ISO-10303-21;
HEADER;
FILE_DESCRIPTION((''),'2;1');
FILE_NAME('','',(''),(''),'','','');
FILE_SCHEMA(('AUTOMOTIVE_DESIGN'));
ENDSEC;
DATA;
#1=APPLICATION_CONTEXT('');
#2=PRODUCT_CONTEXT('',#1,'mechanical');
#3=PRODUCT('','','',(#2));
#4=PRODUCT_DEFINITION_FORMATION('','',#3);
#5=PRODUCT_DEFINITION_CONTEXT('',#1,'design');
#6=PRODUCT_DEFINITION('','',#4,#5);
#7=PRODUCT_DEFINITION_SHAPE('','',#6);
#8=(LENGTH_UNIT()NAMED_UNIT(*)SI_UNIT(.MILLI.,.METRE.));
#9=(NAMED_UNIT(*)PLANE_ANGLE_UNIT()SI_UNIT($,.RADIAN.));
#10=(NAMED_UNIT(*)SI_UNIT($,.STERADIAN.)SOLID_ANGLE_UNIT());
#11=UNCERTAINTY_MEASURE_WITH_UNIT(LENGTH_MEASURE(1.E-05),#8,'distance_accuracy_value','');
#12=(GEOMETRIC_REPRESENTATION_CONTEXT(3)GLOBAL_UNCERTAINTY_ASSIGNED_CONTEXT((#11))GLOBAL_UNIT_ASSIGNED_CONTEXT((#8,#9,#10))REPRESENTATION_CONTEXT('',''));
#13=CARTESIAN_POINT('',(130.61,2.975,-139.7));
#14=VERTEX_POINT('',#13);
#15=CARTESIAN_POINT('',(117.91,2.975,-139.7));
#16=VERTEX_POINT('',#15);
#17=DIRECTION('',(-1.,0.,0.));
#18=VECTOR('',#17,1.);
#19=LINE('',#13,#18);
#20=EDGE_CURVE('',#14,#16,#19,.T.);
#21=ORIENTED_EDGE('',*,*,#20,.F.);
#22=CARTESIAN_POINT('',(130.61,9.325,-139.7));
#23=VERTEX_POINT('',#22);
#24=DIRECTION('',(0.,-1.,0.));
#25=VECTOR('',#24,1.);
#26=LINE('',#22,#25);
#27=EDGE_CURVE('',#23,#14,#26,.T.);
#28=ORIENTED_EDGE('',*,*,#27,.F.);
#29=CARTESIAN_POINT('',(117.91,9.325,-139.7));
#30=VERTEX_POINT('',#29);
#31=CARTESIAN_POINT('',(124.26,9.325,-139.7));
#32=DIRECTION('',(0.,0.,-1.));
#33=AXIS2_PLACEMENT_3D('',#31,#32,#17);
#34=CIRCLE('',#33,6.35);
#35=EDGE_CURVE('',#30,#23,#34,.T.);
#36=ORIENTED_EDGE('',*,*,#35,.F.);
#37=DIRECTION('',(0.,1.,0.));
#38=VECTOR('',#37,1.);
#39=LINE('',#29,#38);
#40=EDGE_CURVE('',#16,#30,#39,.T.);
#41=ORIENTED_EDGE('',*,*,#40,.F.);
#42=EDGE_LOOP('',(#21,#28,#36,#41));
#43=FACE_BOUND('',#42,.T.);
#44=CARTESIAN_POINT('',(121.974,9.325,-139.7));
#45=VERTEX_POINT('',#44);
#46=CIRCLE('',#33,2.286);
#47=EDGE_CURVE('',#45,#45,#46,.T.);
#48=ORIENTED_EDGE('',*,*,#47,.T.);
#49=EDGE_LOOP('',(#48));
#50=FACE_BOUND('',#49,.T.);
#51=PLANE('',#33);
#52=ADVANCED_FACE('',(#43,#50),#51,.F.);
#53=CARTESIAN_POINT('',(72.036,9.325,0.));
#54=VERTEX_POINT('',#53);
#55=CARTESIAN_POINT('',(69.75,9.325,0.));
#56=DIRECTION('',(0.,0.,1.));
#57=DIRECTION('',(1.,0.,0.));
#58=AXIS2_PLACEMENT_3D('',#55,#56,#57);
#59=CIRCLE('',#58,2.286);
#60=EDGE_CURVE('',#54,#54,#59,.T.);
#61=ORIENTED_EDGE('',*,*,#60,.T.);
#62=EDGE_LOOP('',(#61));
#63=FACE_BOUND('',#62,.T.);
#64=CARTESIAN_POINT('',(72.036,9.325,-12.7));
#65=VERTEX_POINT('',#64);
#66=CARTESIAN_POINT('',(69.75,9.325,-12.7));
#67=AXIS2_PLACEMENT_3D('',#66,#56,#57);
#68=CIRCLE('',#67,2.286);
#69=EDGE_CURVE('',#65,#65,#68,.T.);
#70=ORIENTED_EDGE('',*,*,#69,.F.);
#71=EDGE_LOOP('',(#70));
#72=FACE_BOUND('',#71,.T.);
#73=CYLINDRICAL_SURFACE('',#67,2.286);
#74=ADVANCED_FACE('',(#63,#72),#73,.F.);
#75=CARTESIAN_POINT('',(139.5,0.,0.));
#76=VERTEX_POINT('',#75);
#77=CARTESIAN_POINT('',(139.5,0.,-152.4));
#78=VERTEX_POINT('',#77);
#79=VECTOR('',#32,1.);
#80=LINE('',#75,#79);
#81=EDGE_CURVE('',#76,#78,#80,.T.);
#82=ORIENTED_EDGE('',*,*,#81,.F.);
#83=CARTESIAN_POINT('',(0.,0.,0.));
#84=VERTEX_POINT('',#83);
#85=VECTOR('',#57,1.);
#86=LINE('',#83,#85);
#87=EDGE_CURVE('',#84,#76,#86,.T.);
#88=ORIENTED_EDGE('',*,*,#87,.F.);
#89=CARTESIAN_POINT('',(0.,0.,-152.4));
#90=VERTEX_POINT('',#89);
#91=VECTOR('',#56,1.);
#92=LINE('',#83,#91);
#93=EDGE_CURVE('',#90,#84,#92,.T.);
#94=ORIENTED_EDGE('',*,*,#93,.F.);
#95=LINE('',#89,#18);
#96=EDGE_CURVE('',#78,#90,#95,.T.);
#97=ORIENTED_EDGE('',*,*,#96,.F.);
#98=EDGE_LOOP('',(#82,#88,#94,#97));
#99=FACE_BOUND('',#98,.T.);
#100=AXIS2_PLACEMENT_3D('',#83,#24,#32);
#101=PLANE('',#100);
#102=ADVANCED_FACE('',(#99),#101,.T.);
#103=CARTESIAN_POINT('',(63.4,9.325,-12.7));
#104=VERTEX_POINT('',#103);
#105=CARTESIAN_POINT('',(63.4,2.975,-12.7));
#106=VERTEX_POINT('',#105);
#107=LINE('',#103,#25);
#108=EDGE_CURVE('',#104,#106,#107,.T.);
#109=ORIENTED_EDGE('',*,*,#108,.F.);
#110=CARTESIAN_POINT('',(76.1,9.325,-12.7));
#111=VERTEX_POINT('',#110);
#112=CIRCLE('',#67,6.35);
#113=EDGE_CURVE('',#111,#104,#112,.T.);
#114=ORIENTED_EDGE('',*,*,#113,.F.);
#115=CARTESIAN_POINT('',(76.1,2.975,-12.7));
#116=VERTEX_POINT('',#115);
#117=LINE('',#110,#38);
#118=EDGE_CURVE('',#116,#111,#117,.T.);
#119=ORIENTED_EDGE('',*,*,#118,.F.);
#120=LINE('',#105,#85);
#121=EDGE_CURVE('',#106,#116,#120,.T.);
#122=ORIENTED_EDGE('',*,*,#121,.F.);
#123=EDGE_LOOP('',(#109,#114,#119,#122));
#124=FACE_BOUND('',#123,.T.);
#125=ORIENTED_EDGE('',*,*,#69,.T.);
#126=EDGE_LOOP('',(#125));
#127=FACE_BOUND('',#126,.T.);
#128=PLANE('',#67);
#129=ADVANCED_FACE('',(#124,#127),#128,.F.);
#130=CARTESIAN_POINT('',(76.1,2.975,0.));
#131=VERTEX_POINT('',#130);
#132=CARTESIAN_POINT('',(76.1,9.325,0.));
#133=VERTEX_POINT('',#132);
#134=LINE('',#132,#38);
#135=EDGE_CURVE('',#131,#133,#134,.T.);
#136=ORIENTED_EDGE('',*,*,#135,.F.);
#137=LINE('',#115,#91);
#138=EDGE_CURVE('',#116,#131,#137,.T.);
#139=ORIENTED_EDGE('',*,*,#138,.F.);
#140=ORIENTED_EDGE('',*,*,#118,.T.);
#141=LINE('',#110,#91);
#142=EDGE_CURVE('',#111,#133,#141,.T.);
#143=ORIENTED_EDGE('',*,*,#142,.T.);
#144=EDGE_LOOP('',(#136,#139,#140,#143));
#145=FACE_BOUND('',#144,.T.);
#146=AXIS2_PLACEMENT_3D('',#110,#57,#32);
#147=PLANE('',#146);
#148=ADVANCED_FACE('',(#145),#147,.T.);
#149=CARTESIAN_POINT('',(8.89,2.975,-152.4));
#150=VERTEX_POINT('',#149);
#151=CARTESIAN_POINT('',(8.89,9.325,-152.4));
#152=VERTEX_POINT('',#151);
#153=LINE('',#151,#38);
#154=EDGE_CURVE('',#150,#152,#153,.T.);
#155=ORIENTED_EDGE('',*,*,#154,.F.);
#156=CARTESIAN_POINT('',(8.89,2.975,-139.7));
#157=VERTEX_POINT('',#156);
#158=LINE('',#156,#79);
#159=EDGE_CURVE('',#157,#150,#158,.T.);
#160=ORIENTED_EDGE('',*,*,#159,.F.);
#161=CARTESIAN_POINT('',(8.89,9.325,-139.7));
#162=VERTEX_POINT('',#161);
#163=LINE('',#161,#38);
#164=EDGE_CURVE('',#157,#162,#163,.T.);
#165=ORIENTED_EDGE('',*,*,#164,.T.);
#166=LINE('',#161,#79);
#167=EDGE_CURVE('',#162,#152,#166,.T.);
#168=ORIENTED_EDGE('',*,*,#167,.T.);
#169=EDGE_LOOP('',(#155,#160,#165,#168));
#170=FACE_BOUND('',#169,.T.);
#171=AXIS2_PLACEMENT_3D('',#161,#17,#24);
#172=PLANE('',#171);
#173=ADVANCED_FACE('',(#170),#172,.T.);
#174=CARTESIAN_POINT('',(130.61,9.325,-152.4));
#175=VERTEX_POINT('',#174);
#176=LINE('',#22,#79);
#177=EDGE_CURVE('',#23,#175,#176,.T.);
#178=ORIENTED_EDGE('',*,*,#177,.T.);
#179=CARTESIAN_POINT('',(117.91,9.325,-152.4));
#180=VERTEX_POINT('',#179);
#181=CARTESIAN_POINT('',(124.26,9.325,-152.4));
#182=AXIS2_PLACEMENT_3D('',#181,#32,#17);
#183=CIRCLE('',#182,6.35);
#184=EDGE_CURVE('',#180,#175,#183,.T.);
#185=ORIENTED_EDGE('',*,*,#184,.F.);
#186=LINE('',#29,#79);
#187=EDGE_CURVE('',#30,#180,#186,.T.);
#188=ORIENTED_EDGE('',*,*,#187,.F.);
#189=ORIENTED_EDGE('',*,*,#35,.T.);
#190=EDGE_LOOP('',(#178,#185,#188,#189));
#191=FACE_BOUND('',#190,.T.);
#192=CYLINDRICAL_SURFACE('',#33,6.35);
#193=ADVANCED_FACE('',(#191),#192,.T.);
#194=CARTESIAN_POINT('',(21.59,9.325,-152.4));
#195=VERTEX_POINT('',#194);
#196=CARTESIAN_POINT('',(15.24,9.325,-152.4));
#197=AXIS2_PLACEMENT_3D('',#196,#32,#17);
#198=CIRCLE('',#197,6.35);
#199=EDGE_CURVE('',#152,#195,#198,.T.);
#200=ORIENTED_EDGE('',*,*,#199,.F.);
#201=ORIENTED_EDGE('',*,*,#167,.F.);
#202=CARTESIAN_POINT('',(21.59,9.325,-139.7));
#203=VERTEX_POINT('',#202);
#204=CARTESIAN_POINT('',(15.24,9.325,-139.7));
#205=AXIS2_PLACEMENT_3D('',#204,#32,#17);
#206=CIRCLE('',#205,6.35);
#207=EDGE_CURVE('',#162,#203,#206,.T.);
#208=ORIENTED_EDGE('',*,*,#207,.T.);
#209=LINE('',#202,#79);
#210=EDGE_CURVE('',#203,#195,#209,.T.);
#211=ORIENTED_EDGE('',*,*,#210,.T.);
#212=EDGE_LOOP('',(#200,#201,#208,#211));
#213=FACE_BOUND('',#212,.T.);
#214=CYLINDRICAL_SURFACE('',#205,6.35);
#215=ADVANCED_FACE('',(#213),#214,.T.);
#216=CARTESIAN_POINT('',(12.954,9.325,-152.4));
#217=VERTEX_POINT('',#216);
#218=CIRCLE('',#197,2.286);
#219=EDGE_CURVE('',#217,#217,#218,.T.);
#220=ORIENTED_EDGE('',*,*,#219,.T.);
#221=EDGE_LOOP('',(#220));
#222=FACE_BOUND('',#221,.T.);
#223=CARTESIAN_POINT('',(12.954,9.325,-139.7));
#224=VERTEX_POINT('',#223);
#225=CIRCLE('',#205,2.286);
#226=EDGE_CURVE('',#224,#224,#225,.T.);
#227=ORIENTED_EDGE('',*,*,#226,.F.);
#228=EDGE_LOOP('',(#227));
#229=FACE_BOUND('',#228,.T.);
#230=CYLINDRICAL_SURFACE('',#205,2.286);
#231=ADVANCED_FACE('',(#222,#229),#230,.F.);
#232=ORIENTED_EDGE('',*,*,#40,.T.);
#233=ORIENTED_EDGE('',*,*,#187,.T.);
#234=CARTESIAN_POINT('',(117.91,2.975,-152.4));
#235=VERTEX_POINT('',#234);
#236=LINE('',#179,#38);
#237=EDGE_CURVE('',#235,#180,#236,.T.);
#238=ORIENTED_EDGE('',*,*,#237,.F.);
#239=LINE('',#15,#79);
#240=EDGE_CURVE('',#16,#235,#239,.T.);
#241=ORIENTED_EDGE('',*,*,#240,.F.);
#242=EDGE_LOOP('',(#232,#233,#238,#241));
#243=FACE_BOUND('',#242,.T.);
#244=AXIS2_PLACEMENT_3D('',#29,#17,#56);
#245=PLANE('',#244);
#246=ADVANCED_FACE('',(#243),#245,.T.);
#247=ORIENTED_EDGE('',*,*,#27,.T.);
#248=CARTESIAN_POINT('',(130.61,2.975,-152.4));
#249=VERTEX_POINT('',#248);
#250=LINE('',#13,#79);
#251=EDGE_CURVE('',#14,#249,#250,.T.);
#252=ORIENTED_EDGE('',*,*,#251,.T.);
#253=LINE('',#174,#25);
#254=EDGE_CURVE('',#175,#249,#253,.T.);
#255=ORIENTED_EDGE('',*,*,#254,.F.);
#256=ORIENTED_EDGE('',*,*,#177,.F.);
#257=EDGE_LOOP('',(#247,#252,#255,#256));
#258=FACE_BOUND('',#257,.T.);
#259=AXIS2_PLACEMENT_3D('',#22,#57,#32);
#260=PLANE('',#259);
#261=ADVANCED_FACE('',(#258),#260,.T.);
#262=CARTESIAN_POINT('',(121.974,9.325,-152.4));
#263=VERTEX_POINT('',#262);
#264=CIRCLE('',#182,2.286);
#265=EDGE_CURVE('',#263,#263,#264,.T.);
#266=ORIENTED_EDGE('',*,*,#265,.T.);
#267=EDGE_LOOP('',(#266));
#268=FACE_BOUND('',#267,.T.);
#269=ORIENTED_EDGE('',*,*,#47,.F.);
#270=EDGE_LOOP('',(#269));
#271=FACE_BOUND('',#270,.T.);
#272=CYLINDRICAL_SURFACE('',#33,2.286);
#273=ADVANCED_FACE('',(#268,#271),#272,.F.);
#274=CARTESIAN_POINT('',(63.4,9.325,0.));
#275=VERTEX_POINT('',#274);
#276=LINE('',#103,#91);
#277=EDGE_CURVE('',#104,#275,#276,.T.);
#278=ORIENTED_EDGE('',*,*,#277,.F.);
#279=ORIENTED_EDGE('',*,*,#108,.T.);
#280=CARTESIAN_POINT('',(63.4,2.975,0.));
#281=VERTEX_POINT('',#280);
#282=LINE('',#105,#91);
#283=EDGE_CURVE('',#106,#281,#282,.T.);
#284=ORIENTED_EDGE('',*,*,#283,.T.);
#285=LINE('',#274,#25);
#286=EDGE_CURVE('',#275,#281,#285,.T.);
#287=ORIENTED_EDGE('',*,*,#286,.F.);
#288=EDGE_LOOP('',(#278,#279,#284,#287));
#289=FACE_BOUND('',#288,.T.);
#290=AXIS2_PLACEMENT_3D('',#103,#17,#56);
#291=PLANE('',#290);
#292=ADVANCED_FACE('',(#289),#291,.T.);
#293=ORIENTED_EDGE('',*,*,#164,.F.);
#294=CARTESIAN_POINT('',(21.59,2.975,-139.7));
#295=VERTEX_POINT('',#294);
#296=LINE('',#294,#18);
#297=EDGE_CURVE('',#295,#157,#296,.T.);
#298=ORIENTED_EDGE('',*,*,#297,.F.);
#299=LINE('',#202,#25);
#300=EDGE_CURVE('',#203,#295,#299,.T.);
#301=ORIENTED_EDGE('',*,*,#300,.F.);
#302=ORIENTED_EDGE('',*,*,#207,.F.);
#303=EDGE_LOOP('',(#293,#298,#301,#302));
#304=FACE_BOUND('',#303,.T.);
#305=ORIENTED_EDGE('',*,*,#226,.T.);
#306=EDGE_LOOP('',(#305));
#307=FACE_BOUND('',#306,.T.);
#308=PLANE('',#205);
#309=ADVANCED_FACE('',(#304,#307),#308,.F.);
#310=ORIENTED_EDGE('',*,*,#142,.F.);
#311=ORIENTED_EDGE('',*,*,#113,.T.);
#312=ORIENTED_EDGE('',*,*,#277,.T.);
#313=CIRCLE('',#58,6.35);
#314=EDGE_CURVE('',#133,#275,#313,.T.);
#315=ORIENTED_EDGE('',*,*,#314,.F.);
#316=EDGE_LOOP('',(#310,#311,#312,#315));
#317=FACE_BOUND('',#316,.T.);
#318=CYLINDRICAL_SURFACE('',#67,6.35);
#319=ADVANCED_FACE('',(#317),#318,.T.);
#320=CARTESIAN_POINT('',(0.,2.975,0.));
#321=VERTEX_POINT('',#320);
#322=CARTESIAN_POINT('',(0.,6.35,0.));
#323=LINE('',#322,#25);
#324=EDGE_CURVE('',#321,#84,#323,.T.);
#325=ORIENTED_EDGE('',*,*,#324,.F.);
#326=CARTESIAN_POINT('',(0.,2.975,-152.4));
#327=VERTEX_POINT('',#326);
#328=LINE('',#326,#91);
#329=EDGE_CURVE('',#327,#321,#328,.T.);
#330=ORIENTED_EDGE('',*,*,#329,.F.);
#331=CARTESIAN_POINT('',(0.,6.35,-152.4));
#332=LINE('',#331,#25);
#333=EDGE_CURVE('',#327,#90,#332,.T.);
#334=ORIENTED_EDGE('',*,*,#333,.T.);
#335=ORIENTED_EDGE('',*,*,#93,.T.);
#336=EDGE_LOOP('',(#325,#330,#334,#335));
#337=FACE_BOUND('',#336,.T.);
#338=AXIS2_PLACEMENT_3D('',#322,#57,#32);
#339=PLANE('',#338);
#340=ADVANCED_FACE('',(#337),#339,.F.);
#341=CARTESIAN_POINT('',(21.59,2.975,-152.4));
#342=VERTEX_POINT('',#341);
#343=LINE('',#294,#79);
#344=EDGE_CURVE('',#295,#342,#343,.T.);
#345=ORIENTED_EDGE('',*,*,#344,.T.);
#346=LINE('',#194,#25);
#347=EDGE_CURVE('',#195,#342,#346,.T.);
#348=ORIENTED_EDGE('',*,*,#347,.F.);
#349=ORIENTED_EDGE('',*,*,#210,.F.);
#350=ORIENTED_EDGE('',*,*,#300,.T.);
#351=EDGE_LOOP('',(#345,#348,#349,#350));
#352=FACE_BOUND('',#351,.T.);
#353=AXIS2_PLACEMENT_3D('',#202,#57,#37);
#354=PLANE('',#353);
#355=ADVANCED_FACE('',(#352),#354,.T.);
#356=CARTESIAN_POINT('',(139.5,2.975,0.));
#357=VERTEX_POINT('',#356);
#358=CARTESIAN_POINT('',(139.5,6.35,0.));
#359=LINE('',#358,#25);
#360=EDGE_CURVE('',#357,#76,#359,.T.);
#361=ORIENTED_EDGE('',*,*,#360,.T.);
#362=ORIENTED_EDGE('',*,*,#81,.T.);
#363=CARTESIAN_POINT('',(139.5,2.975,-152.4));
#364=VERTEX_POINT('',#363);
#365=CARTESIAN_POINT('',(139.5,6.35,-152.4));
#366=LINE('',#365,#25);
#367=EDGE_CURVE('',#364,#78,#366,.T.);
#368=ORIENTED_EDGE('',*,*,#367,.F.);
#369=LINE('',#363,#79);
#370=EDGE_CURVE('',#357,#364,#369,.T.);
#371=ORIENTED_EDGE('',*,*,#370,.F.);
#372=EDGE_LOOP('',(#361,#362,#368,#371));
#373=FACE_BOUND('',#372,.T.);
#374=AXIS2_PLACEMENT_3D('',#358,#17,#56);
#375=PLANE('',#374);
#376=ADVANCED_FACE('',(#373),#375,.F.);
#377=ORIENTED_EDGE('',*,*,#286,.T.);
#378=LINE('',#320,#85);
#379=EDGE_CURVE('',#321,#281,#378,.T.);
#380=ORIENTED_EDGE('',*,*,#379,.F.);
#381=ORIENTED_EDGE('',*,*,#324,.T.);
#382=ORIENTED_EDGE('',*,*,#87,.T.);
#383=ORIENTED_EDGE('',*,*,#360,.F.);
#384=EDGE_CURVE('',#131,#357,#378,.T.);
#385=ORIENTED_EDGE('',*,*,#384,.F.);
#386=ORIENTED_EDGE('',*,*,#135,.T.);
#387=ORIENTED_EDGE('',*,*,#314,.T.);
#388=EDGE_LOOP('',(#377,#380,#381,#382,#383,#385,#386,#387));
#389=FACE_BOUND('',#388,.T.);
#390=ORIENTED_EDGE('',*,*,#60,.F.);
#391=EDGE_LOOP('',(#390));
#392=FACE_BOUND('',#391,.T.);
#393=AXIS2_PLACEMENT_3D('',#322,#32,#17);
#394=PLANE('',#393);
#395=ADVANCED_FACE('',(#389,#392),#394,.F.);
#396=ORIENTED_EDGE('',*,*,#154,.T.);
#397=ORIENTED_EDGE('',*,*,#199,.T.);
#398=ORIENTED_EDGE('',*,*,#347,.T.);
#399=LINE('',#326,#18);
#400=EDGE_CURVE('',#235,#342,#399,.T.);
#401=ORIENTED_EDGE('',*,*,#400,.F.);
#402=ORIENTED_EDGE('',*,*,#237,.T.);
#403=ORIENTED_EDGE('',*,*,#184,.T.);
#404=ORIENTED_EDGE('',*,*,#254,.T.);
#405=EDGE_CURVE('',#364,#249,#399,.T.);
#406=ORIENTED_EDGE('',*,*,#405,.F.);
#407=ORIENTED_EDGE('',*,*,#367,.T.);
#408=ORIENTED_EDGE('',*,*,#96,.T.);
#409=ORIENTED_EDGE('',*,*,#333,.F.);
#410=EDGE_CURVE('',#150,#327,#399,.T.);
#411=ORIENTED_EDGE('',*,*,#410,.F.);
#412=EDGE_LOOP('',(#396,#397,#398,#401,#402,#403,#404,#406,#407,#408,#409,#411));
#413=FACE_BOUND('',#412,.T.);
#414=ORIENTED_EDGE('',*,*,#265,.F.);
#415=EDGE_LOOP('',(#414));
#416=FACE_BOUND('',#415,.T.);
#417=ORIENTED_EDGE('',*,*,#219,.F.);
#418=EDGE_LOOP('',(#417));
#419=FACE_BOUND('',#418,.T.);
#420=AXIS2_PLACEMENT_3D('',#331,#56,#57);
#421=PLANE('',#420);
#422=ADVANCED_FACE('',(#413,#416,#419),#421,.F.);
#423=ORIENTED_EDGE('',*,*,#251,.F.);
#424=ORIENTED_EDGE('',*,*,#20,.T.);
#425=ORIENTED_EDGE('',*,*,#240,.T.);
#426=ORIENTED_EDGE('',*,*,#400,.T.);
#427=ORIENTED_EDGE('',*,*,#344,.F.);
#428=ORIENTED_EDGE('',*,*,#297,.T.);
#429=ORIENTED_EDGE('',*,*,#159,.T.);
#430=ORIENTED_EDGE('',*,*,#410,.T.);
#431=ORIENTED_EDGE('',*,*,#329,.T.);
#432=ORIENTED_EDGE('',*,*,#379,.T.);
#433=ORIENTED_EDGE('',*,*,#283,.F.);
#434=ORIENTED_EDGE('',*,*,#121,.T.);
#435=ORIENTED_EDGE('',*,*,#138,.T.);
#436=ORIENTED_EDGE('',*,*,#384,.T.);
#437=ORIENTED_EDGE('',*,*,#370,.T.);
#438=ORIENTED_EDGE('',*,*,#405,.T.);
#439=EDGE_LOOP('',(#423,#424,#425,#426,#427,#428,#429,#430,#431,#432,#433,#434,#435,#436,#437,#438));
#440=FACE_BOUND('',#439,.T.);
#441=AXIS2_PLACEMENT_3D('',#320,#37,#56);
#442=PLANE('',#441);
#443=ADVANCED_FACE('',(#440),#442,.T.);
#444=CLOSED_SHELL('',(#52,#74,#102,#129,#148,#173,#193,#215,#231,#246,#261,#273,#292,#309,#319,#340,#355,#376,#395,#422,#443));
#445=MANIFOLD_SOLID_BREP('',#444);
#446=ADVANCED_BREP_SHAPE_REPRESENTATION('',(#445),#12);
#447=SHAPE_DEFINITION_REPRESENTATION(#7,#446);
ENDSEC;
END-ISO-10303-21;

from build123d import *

# Parameters (mm, degrees)
SKETCH1_W           = 139.5
SKETCH1_H           = 152.4
BOSS_EXTRUDE1_DEPTH = 6.35
SKETCH2_W           = 139.5
SKETCH2_H           = 152.4
CUT_EXTRUDE1_DEPTH  = 3.375
SKETCH3_R           = 2.286
BOSS_EXTRUDE2_DEPTH = 12.7
SKETCH4_R           = 2.286
BOSS_EXTRUDE3_DEPTH = 12.7


with BuildPart() as part:
    # Sketch1 → Boss-Extrude1 (new body)
    with BuildSketch(Plane(origin=(0, 0, 0), x_dir=(1, 0, 0), z_dir=(0, 1, 0))):
        with Locations((69.75, 76.2)):
            Rectangle(SKETCH1_W, SKETCH1_H)
    extrude(amount=BOSS_EXTRUDE1_DEPTH)

    # Sketch2 → Cut-Extrude1 (cut)
    with BuildSketch(Plane(origin=(0, 6.35, 0), x_dir=(1, 0, 0), z_dir=(0, 1, 0))):
        with Locations((69.75, 76.2)):
            Rectangle(SKETCH2_W, SKETCH2_H)
    extrude(amount=-CUT_EXTRUDE1_DEPTH, mode=Mode.SUBTRACT)

    # Sketch3 → Boss-Extrude2 (add)
    with BuildSketch(Plane.XY):
        with BuildLine():
            Line((63.4, 9.325), (63.4, 2.975))
            Line((63.4, 2.975), (76.1, 2.975))
            Line((76.1, 2.975), (76.1, 9.325000158))
            ThreePointArc((76.1, 9.325000158), (69.749999921, 15.675000158), (63.4, 9.325))
        make_face()
        with Locations((69.75, 9.325000158)):
            Circle(SKETCH3_R, mode=Mode.SUBTRACT)
    extrude(amount=-BOSS_EXTRUDE2_DEPTH)

    # Sketch4 → Boss-Extrude3 (add)
    with BuildSketch(Plane(origin=(0, 0, -152.4), x_dir=(-1, 0, 0), z_dir=(0, 0, -1))):
        with BuildLine():
            Line((-130.61, 9.325), (-130.61, 2.975))
            Line((-130.61, 2.975), (-117.91, 2.975))
            Line((-117.91, 2.975), (-117.91, 9.325))
            ThreePointArc((-117.91, 9.325), (-124.26, 15.675), (-130.61, 9.325))
        make_face()
        with Locations((-124.26, 9.325)):
            Circle(SKETCH4_R, mode=Mode.SUBTRACT)
        with BuildLine():
            Line((-21.59, 9.325), (-21.59, 2.975))
            Line((-21.59, 2.975), (-8.89, 2.975))
            Line((-8.89, 2.975), (-8.89, 9.325))
            ThreePointArc((-8.89, 9.325), (-15.24, 15.675), (-21.59, 9.325))
        make_face()
        with Locations((-15.24, 9.325)):
            Circle(SKETCH4_R, mode=Mode.SUBTRACT)
    extrude(amount=-BOSS_EXTRUDE3_DEPTH)


solid = part.part
